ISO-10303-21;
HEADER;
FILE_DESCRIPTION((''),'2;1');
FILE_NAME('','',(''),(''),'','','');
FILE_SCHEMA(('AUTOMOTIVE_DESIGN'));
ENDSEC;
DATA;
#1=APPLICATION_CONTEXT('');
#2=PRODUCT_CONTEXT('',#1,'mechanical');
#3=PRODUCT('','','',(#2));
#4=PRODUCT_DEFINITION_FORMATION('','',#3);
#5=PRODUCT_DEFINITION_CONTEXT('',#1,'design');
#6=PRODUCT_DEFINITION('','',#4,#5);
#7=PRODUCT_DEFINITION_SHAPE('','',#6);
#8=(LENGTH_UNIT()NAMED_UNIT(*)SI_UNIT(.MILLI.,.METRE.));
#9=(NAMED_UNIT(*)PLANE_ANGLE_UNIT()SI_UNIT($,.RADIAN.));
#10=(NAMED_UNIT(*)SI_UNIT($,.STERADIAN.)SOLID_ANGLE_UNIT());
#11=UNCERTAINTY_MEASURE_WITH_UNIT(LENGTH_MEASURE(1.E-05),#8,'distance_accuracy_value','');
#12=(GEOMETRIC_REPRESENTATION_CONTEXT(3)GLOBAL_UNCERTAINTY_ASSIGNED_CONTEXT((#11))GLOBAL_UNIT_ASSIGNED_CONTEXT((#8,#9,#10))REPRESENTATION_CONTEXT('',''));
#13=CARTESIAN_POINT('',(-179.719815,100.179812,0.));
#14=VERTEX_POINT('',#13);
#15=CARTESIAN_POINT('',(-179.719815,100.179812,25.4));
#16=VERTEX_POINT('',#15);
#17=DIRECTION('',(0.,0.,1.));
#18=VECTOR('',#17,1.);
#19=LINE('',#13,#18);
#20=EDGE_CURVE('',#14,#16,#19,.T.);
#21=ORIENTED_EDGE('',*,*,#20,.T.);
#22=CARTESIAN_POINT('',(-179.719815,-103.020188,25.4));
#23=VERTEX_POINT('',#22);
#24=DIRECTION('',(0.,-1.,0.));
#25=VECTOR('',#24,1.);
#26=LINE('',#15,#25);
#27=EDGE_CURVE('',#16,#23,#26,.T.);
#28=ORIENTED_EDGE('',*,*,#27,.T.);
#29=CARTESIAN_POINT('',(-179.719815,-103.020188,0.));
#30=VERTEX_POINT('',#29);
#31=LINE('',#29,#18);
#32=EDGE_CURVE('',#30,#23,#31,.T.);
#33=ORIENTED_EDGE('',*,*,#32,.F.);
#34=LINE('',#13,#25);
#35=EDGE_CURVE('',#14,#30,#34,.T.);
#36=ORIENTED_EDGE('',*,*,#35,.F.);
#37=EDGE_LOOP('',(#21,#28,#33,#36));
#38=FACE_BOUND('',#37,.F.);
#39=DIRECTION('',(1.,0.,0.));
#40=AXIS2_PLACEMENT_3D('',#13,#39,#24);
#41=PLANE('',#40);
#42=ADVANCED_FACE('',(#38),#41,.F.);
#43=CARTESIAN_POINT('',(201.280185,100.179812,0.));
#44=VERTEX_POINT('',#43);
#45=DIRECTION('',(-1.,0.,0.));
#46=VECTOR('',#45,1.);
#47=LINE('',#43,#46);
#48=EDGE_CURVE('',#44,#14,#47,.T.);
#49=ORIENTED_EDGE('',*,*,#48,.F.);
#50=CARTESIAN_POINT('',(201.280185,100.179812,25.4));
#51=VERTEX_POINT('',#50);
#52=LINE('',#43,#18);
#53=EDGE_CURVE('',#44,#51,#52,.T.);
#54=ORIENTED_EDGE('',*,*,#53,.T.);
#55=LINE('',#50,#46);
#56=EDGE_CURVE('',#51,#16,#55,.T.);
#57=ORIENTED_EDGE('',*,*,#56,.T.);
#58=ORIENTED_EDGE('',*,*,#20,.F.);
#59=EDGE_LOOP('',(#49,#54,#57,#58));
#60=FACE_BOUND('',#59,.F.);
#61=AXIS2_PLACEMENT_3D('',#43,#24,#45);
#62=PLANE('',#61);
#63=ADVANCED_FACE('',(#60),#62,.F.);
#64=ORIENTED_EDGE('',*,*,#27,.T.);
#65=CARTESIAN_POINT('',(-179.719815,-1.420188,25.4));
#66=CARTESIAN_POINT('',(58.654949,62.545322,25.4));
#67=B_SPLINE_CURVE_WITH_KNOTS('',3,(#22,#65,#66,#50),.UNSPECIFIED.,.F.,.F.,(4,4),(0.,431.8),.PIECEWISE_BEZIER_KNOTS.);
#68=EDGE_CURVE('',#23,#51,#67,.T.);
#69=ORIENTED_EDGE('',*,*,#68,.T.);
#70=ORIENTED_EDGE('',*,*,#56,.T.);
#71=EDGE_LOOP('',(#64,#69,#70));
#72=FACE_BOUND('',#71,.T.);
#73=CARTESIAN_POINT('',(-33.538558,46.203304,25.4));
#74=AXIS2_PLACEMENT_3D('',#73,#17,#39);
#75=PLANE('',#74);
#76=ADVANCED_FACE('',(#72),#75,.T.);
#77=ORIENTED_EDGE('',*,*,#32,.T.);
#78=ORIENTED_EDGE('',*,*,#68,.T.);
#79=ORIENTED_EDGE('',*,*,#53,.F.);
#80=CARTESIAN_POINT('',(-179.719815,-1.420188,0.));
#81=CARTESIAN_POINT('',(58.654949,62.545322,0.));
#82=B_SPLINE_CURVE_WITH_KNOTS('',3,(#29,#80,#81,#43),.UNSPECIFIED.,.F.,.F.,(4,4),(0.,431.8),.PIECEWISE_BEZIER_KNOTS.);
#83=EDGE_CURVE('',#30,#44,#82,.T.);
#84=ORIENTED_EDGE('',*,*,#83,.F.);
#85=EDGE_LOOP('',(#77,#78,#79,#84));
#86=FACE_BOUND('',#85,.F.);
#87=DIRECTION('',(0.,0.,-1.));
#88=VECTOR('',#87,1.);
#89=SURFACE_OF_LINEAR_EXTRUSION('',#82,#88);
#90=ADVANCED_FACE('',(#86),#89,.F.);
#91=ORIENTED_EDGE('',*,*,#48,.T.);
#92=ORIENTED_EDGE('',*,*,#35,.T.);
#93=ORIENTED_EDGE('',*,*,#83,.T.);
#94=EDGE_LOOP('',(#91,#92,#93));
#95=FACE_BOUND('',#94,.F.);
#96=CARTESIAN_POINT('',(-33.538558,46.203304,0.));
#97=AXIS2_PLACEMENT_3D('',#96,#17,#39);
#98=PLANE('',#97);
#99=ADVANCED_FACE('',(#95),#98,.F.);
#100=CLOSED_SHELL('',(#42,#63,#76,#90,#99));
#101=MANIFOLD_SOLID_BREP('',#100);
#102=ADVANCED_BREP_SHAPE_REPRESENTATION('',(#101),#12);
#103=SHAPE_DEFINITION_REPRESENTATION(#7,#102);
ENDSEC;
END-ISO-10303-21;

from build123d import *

# Parameters (mm, degrees)
F1_DEPTH = 25.4


with BuildPart() as f1:
    # F0 (on Top) → F1 (new body)
    with BuildSketch(Plane.XY):
        with BuildLine():
            Line((201.280185, 100.179812), (-179.719815, 100.179812))
            Line((-179.719815, 100.179812), (-179.719815, -103.020188))
            add(Edge.make_bspline(
                [(-179.719815, -103.020188), (-179.719815, -1.420188), (58.654949, 62.545322), (201.280185, 100.179812)],
                knots=[0, 0, 0, 0, 431.8, 431.8, 431.8, 431.8], degree=3))
        make_face()
    extrude(amount=F1_DEPTH)


solid = f1.part
